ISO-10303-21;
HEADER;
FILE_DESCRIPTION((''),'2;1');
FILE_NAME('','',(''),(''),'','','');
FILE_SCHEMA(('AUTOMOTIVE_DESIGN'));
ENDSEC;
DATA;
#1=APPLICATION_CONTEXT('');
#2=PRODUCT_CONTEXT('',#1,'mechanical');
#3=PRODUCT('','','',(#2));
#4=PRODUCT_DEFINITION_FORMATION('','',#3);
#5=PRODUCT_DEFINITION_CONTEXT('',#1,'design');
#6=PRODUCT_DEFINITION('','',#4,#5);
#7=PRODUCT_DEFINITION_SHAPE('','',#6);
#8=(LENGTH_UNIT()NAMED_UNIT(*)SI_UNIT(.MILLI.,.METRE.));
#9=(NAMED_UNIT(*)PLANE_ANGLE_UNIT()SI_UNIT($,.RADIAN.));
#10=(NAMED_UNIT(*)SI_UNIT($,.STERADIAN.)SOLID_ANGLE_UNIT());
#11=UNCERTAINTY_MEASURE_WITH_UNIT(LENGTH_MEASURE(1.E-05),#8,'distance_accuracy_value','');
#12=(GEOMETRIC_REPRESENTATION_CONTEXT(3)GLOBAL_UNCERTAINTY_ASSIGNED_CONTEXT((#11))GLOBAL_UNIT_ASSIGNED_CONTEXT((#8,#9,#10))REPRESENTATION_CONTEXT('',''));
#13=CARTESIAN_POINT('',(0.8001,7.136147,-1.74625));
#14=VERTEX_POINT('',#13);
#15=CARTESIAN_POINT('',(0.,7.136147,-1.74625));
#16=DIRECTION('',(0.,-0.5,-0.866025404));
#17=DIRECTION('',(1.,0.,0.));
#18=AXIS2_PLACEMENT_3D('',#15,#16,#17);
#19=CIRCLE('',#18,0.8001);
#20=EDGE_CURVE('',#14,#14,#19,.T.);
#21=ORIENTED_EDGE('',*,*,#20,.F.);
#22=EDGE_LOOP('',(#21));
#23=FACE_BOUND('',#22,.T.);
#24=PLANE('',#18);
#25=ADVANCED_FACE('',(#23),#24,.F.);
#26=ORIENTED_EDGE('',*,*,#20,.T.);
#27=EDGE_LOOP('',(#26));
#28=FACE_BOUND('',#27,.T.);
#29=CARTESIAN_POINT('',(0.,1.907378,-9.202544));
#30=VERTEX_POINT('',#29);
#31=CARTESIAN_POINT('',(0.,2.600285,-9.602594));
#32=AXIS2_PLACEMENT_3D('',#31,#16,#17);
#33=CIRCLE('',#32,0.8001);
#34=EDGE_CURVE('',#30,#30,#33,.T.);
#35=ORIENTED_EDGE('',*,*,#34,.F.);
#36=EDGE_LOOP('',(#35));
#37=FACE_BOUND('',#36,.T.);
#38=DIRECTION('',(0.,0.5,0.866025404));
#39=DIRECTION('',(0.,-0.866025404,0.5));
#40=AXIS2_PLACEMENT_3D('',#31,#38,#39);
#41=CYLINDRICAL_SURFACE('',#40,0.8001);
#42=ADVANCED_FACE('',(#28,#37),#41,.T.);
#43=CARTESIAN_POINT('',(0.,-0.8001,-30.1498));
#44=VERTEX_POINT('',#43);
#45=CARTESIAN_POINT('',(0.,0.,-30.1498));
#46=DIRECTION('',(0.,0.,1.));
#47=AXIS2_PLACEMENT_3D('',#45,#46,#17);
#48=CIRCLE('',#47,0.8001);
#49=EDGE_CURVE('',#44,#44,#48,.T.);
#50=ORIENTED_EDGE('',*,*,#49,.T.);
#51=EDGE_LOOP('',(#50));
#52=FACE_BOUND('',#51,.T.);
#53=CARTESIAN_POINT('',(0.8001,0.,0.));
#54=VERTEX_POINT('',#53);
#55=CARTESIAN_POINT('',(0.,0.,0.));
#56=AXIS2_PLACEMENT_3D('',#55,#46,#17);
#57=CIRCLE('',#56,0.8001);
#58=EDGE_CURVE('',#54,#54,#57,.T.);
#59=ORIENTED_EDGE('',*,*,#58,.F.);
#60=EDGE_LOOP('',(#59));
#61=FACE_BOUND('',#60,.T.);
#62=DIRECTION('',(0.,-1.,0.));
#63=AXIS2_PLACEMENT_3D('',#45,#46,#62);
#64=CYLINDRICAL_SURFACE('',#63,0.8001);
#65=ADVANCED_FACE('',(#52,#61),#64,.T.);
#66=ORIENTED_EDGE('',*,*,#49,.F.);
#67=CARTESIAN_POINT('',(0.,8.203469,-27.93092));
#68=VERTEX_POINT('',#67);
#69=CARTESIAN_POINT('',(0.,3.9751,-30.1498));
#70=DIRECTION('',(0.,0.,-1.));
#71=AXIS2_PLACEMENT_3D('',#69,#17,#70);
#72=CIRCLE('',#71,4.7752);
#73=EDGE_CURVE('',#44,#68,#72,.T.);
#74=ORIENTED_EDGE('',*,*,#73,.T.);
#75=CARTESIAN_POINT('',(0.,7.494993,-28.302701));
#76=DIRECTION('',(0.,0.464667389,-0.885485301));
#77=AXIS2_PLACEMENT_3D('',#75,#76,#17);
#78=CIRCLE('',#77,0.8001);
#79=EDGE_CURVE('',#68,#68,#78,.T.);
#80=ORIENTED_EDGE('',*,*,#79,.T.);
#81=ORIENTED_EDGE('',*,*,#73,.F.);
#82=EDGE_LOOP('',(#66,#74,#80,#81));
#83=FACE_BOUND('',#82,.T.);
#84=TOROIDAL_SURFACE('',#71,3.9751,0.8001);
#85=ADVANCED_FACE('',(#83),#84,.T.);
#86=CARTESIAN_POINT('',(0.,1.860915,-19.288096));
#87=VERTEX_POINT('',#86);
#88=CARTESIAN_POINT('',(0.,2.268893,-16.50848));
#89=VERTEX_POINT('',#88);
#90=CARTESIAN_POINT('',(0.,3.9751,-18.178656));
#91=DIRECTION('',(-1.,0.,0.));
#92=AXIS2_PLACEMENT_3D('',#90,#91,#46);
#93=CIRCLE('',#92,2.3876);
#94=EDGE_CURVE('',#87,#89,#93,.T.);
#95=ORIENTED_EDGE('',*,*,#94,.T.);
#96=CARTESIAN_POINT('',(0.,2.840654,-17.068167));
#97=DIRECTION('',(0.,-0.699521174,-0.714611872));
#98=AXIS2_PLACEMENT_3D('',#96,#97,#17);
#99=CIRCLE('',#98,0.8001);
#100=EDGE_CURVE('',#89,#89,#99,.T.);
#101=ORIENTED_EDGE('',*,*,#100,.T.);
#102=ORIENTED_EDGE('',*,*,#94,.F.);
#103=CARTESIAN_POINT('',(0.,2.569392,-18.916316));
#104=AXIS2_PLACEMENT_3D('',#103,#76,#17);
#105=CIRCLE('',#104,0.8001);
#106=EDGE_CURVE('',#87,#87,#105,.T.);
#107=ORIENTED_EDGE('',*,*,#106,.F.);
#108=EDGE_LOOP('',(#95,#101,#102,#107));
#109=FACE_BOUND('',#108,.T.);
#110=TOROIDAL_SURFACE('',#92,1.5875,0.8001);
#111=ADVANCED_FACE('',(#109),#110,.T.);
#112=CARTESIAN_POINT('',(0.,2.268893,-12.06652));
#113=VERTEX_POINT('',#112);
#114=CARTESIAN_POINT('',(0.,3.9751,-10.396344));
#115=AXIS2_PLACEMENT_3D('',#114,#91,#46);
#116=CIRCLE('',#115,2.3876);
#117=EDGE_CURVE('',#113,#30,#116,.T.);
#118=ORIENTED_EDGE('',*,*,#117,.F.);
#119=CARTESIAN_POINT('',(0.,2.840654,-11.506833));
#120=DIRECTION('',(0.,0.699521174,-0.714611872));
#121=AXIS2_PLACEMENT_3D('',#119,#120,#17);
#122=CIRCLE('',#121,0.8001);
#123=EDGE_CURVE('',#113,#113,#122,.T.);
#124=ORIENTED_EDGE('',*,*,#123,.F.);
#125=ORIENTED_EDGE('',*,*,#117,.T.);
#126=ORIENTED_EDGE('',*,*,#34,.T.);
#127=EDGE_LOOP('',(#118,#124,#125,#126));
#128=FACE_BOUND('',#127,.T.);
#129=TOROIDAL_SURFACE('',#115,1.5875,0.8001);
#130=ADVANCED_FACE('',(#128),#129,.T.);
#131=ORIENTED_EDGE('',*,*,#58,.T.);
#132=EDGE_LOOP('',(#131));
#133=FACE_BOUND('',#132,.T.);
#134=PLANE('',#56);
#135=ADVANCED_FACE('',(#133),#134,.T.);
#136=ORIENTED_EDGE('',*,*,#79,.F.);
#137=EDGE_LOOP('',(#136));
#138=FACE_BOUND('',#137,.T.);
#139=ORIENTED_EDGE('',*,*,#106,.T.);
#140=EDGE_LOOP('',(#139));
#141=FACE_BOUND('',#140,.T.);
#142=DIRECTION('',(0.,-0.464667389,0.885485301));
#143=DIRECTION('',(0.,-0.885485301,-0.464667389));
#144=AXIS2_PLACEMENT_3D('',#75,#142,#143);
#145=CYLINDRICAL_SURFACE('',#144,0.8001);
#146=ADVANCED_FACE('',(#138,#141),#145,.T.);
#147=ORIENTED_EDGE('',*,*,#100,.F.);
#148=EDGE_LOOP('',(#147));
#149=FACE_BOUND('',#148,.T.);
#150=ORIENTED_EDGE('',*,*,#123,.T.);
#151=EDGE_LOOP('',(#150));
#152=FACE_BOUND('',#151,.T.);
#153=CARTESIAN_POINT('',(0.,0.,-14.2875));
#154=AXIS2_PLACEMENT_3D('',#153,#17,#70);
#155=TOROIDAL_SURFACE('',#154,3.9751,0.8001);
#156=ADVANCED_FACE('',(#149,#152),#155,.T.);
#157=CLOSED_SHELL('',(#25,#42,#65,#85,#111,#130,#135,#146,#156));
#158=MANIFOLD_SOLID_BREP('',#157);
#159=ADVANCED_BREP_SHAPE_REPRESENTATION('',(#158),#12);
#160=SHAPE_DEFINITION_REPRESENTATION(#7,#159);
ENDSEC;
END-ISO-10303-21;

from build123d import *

# Parameters (mm, degrees)
SKETCH1_R = 0.8001


with BuildPart() as part:
    # Sweep1: sweep along a path in Sketch2
    with BuildLine(Plane(origin=(0, 0, 0), x_dir=(0, 0, -1), z_dir=(1, 0, 0))) as sweep1_path:
        Line((0, 0), (30.1498, 0))
        ThreePointArc((30.1498, 0), (34.009420782, 4.926282123), (28.302700663, 7.494992619))
        Line((28.302700663, 7.494992619), (18.916315959, 2.569392085))
        ThreePointArc((18.916315959, 2.569392085), (17.948121595, 2.404428196), (17.068166617, 2.840653653))
        ThreePointArc((17.068166617, 2.840653653), (14.2875, 3.9751), (11.506833383, 2.840653653))
        ThreePointArc((11.506833383, 2.840653653), (10.595153346, 2.400098126), (9.60259352, 2.600284671))
        Line((9.60259352, 2.600284671), (1.74625, 7.136146718))
    # Sketch1 → Sweep1 (sweep)
    with BuildSketch(Plane.XY):
        Circle(SKETCH1_R)
    sweep(path=sweep1_path.line)


solid = part.part
